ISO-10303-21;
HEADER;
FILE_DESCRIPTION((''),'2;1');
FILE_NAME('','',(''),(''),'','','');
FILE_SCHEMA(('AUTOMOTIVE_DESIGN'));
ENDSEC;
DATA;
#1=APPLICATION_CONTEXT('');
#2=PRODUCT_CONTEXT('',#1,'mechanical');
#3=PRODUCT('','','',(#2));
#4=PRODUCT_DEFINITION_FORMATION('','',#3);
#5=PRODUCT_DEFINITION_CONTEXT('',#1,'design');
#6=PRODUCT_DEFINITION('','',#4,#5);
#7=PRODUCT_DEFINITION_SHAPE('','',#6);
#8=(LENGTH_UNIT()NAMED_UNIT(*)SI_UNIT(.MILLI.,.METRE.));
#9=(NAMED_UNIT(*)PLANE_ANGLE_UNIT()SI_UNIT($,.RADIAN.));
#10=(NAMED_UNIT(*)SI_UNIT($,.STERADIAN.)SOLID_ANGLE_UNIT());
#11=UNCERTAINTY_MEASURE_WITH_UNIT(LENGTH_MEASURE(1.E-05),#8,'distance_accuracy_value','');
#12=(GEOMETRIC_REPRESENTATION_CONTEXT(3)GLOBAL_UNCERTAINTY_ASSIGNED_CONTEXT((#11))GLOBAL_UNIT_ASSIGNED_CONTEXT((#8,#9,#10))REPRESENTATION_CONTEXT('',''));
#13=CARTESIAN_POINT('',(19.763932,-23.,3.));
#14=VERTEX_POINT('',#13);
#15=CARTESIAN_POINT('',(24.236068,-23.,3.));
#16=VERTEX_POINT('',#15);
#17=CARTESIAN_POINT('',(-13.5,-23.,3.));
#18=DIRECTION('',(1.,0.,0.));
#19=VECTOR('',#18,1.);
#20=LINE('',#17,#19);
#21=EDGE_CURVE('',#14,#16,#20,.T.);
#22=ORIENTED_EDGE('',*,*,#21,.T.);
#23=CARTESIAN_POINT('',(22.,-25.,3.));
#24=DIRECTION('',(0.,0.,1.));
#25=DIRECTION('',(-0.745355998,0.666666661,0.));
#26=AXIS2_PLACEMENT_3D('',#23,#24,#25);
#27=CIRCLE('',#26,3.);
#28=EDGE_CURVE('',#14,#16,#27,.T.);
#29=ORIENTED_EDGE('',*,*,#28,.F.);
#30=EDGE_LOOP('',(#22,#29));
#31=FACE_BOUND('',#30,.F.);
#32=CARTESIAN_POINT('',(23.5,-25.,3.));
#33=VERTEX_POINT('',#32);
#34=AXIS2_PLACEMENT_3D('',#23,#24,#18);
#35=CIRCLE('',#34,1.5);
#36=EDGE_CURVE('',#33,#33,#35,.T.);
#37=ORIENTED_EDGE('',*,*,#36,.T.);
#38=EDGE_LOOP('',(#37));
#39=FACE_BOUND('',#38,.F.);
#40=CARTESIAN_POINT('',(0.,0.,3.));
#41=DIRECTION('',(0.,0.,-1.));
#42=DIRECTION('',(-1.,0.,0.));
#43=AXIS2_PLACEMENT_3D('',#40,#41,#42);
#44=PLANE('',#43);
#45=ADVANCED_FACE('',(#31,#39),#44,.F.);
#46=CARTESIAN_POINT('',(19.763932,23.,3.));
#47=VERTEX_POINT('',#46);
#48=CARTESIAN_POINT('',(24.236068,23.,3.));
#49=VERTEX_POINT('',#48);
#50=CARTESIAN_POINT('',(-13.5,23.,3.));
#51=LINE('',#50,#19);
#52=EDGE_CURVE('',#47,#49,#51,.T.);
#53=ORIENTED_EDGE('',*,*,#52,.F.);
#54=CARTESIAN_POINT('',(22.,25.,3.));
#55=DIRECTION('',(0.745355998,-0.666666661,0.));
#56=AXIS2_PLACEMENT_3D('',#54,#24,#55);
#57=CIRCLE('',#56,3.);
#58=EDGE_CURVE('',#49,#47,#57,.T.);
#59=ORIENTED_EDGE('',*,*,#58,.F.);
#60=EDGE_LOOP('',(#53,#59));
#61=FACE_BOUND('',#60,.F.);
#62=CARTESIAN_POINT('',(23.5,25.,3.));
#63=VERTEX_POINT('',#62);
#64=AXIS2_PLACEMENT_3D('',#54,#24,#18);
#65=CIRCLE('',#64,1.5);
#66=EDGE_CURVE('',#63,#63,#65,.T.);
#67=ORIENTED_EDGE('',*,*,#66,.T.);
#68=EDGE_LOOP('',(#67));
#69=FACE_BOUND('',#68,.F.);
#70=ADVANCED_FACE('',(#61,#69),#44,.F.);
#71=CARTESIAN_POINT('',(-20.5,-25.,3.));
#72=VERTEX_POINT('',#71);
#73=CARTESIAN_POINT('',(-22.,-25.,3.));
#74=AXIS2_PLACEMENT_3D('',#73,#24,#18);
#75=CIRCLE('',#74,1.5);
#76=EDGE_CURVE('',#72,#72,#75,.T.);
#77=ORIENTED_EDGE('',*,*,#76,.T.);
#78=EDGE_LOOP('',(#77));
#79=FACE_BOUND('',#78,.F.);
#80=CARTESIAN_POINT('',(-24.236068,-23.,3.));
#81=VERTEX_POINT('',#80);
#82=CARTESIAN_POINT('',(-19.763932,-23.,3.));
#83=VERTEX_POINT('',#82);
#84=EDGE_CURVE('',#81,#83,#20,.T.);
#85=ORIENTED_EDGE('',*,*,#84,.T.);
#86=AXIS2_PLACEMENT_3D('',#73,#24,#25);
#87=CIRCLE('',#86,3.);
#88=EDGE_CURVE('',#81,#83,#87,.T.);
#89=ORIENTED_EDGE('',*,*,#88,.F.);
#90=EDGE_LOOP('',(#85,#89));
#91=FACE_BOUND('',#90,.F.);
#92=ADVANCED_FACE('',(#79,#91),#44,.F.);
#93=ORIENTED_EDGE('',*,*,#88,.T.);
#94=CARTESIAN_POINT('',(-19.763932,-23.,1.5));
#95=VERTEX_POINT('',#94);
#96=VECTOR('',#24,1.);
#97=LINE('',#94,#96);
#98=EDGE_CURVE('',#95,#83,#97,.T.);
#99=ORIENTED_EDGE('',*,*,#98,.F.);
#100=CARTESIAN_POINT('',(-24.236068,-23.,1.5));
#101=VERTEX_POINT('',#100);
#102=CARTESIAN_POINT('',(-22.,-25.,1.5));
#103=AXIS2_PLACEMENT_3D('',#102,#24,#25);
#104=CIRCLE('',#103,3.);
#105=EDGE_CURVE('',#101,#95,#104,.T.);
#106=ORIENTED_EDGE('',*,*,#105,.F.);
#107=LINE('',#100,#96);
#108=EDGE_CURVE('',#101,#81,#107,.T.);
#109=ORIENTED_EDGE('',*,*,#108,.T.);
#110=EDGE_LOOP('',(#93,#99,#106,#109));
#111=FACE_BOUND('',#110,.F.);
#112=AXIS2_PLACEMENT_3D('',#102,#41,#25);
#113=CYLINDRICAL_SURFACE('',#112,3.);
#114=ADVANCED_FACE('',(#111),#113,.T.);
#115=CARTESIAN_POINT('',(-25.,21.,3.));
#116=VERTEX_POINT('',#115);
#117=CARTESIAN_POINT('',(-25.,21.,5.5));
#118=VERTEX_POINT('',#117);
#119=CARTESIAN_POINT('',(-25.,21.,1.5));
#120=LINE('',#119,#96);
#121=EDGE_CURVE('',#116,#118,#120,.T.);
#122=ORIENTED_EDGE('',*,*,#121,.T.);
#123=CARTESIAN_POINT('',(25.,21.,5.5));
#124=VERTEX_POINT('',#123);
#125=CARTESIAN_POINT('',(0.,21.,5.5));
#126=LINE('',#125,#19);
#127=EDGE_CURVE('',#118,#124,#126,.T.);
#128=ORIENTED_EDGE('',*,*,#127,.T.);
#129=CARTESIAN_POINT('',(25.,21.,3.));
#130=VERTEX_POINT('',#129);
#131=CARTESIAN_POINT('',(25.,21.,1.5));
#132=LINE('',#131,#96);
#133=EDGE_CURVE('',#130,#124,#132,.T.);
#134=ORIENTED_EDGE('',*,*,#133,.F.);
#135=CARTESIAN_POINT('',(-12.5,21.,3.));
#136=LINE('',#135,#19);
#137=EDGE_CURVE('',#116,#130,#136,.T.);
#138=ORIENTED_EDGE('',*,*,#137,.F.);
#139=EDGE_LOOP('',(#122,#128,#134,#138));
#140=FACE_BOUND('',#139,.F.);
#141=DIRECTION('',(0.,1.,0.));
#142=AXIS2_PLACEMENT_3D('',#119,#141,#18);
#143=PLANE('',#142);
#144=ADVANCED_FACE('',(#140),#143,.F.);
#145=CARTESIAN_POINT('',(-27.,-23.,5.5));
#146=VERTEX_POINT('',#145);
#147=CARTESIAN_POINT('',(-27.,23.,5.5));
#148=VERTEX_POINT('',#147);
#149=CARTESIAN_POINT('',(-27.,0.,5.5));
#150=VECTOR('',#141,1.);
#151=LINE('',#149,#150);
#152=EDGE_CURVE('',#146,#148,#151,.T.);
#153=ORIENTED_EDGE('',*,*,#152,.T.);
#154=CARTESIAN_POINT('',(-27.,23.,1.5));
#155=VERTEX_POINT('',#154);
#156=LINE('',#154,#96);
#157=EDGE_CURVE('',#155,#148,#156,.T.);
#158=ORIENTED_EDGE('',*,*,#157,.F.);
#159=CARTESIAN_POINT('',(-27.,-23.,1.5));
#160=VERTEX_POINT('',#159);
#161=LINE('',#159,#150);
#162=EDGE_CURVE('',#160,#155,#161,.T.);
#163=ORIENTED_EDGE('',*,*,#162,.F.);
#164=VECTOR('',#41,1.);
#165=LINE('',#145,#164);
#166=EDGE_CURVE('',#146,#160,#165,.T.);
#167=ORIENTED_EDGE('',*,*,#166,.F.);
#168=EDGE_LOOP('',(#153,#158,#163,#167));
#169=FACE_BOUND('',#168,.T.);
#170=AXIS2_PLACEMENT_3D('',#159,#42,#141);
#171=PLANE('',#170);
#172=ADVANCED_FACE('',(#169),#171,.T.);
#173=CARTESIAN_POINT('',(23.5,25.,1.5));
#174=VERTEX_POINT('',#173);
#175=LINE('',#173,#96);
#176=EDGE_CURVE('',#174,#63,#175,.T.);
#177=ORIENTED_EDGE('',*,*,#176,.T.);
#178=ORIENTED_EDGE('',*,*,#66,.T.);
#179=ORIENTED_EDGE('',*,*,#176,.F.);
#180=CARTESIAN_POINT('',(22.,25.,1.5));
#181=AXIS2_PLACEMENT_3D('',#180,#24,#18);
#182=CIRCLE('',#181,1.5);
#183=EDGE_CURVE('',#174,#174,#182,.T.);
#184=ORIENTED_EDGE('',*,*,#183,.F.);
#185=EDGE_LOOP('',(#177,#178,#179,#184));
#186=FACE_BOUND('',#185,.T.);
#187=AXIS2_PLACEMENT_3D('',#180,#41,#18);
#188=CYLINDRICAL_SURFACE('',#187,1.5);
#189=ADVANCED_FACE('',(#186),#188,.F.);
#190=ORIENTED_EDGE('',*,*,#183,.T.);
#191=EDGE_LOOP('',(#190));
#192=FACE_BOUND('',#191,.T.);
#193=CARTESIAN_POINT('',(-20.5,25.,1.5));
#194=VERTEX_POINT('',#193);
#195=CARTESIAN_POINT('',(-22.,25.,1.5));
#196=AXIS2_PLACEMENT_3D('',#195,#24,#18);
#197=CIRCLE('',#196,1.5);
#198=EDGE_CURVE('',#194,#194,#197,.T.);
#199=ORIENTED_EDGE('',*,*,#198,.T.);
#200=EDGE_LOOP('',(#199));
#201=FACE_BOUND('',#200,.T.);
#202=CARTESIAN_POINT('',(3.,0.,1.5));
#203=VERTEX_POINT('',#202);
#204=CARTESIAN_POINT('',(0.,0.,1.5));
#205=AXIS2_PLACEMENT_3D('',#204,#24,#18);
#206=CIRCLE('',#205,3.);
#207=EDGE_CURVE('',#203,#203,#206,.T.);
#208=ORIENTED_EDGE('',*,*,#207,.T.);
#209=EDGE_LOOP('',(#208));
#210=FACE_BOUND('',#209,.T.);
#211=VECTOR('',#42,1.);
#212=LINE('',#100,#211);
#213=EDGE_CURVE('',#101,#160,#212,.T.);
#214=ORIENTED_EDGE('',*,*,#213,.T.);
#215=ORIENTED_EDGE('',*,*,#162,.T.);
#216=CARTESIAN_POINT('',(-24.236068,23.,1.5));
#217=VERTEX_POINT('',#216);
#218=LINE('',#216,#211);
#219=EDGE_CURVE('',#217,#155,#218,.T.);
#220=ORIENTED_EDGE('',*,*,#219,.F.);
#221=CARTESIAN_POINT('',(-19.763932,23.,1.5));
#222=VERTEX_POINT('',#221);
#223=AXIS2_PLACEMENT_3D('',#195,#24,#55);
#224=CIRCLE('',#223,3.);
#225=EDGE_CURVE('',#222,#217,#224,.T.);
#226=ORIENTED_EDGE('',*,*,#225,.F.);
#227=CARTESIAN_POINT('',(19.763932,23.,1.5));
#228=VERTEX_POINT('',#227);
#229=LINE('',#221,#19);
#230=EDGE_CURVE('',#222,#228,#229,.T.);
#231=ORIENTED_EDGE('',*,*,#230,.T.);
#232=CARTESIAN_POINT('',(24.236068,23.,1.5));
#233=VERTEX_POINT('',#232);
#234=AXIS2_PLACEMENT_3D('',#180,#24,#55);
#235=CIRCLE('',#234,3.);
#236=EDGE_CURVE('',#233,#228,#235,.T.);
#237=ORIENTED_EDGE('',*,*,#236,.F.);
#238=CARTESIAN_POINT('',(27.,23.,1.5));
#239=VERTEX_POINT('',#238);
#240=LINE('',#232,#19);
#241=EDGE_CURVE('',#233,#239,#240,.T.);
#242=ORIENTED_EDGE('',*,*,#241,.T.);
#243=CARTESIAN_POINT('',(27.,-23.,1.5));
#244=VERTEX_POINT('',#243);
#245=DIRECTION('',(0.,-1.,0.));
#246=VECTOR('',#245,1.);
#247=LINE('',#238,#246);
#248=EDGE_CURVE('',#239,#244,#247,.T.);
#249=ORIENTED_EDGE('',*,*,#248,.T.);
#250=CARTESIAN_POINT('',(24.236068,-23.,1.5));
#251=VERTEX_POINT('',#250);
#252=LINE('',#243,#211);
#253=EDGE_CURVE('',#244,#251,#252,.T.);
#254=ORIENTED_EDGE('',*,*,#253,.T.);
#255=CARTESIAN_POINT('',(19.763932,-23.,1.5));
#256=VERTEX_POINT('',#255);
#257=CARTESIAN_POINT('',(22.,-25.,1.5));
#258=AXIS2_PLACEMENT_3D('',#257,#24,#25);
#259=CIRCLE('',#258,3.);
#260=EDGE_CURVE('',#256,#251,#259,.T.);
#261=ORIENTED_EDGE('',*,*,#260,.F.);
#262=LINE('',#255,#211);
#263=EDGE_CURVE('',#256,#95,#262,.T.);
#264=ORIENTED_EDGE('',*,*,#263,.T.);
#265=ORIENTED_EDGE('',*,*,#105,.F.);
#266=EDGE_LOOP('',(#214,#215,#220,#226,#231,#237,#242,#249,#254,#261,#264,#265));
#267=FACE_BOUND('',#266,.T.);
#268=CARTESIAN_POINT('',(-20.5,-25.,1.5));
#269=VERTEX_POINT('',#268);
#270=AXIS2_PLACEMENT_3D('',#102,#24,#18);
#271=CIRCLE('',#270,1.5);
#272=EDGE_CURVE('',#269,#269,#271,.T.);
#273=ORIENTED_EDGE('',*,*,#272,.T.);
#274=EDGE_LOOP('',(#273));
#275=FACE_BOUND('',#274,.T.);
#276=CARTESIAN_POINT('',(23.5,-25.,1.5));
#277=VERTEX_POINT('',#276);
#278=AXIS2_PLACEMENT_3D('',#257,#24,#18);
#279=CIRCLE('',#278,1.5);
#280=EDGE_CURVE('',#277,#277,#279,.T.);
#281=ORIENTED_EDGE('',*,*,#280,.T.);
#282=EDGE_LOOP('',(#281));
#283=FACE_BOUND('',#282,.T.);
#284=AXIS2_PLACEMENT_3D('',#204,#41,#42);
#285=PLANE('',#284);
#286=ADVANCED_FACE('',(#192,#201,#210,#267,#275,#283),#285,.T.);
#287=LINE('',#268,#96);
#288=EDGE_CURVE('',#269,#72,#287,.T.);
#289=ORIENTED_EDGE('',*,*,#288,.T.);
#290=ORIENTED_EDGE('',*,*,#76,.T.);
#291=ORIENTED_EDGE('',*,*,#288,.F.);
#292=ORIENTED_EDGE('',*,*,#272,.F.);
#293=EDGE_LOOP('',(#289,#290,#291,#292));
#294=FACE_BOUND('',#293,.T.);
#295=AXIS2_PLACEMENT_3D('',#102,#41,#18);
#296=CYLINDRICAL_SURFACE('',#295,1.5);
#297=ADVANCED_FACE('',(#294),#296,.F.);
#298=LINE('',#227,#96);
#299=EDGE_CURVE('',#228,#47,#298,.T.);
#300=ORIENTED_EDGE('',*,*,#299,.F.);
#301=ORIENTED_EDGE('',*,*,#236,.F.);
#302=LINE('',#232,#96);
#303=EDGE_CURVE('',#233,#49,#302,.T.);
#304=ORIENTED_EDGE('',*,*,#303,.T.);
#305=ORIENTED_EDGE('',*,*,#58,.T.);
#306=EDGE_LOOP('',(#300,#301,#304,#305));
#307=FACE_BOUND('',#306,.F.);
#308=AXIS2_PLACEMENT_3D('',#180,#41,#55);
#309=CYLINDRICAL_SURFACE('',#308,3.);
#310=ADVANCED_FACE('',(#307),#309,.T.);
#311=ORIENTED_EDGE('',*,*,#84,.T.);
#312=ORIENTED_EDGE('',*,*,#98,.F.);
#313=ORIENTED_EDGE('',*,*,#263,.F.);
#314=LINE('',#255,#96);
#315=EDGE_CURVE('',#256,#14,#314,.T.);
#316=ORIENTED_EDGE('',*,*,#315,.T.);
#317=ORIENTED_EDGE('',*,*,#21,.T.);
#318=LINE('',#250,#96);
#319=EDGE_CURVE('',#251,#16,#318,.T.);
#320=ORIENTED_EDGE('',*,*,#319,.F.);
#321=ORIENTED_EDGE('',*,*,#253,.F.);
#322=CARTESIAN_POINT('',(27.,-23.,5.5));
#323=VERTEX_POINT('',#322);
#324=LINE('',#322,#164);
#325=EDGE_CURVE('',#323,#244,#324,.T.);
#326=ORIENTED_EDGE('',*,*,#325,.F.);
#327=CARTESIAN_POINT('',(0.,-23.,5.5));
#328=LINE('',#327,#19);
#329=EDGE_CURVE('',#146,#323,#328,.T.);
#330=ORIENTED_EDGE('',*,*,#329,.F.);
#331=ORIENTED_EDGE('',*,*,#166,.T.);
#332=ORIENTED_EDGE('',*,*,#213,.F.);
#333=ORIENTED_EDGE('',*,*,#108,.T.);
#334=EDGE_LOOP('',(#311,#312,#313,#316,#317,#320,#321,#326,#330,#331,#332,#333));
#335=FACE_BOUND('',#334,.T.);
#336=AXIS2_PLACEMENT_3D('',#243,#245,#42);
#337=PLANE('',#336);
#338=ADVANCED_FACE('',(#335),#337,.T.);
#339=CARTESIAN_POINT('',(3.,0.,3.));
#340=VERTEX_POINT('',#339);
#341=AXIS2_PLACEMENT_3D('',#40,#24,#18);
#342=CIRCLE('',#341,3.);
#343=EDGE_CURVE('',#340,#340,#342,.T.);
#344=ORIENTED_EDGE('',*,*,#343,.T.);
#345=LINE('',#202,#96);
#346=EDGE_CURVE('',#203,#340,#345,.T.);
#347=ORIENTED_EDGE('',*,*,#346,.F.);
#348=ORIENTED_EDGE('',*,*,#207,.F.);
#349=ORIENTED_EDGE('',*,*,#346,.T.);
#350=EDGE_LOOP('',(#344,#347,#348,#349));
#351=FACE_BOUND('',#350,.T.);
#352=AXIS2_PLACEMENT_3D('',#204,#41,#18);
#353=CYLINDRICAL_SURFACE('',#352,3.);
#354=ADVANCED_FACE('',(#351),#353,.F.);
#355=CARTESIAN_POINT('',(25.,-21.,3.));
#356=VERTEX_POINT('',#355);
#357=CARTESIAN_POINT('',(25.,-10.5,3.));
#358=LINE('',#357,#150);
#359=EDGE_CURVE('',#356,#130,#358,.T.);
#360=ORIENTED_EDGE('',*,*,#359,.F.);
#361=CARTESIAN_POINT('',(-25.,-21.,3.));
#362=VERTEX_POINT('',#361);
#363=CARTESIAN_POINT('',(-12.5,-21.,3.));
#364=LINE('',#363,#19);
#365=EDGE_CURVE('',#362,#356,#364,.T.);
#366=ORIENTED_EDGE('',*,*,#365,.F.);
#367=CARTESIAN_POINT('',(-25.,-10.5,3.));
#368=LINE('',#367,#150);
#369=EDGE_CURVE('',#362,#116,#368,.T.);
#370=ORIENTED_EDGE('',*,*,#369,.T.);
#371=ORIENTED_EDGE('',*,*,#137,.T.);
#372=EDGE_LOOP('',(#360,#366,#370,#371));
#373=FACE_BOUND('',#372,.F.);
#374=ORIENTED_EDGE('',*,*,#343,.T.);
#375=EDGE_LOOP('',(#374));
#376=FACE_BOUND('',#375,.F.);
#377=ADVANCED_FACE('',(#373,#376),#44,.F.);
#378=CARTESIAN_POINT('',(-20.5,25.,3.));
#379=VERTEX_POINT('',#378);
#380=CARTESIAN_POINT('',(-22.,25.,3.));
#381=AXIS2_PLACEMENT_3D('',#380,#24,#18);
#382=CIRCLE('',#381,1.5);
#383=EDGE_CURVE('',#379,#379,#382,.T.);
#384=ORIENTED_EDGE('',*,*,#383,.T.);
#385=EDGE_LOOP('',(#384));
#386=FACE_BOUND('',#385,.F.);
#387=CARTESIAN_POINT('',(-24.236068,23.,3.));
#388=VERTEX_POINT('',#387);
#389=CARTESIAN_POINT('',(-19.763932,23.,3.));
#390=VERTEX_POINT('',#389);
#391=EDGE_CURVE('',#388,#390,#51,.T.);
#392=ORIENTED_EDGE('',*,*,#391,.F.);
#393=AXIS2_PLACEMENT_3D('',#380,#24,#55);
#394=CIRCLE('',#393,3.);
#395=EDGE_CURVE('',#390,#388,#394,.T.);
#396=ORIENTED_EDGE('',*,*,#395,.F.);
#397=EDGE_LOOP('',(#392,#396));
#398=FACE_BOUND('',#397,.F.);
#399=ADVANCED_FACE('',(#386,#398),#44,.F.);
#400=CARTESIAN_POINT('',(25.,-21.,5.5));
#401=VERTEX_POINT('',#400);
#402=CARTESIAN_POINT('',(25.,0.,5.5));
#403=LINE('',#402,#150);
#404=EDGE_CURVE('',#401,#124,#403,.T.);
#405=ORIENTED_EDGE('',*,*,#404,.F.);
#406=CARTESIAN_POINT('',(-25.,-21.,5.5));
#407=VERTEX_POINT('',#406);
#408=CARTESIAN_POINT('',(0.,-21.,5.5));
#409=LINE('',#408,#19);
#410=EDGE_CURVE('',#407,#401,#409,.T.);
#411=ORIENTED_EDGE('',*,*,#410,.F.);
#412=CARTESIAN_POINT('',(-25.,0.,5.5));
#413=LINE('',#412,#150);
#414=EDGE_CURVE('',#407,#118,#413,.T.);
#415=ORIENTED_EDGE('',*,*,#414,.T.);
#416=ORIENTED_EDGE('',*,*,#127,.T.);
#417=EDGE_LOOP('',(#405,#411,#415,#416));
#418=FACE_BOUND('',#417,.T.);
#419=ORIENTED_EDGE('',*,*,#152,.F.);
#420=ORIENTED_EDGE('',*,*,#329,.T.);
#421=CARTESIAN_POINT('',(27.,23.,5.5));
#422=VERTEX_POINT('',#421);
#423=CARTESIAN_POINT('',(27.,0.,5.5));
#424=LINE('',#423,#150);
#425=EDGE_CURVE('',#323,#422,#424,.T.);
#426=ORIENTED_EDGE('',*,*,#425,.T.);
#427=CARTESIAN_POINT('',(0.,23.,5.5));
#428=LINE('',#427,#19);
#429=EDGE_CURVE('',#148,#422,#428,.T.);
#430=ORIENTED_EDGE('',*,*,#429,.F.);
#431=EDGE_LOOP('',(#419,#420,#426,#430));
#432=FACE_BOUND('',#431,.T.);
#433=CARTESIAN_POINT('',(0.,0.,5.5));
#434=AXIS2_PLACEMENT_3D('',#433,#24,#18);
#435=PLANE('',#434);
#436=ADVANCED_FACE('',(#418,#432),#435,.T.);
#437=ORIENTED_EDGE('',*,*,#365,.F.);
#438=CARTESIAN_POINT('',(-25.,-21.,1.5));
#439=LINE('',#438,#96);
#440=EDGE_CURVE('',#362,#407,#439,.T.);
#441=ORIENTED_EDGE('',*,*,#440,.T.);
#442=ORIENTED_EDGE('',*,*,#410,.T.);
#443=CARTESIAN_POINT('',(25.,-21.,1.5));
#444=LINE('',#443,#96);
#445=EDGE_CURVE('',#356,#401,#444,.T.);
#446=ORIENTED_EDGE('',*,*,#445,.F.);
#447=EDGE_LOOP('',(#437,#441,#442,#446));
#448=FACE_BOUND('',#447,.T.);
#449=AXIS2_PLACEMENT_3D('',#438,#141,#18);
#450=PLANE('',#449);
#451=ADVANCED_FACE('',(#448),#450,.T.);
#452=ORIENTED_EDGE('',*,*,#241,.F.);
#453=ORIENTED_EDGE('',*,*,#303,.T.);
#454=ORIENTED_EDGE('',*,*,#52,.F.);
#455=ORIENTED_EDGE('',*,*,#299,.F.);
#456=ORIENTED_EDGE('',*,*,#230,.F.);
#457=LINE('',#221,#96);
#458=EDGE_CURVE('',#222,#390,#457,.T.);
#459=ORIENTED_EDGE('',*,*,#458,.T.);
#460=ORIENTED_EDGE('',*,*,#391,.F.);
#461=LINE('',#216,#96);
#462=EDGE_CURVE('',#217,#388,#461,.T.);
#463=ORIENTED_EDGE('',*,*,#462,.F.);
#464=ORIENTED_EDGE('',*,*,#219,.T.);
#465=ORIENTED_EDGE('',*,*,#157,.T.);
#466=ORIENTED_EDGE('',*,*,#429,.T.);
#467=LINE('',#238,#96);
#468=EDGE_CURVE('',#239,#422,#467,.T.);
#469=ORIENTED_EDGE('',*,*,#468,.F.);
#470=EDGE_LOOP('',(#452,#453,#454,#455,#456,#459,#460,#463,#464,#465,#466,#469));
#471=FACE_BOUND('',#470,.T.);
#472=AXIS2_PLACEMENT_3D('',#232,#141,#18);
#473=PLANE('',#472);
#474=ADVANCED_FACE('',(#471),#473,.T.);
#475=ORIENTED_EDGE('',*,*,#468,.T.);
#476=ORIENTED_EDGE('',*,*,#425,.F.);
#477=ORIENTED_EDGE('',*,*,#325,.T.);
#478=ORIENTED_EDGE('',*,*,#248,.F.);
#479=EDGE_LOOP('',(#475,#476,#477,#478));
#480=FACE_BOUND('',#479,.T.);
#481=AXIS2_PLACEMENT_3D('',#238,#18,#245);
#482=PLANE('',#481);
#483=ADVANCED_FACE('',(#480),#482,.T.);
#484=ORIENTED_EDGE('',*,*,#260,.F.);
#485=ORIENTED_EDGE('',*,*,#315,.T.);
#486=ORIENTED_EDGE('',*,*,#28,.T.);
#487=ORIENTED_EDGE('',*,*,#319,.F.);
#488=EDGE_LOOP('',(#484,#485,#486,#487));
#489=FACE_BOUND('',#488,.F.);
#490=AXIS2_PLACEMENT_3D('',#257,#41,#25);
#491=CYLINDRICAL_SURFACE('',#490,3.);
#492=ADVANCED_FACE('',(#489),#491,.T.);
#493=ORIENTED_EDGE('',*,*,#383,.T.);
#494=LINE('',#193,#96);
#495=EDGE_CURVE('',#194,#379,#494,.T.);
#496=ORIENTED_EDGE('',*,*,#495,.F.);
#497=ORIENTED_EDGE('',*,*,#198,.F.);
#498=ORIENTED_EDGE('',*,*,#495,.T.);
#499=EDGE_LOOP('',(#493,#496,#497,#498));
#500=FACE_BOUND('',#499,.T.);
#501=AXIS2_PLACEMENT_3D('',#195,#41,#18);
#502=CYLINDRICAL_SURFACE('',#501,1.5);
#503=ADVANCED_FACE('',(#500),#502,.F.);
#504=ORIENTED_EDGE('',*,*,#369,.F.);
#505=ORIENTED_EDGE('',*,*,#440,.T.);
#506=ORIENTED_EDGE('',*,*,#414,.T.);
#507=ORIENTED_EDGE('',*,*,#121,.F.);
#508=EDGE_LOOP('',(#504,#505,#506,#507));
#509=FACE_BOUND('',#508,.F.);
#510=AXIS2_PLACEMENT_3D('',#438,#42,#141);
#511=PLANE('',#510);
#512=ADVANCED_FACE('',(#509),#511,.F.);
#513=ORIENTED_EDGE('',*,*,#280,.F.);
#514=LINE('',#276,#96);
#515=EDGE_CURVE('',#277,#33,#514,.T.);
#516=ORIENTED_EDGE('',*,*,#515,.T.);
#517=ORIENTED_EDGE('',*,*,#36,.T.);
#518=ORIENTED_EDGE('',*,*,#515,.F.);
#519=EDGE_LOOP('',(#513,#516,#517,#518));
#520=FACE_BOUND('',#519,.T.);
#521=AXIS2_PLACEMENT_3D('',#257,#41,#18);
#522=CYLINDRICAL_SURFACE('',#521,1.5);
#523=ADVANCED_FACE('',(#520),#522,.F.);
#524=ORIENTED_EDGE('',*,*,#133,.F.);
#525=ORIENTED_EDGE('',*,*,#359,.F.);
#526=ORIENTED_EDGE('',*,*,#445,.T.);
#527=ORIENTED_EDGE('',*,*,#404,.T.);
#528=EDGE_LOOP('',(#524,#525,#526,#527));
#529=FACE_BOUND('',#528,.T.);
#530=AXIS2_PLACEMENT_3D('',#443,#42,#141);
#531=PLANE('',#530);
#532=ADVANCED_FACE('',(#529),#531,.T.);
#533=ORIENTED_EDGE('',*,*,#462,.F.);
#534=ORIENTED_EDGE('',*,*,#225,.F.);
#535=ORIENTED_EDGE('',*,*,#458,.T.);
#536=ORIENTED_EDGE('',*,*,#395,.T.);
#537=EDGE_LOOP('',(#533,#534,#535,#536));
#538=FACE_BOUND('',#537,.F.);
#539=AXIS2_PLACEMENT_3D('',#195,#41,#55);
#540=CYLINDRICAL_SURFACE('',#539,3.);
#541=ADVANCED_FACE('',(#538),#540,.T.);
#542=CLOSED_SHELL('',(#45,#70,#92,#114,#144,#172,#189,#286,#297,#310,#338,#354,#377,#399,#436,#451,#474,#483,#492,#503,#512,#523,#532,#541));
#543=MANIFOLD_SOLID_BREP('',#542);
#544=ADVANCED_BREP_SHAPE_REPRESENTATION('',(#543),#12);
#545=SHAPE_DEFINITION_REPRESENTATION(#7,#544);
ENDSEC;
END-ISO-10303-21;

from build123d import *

# Parameters (mm, degrees)
SKETCH_W         = 54
SKETCH_H         = 46
SKETCH_W_2       = 50
SKETCH_H_2       = 42
EXTRUDE001_DEPTH = 4
SKETCH001_R      = 1.5
SKETCH001_R_2    = 3
EXTRUDE_DEPTH    = 1.5


with BuildPart() as extrude001:
    # Sketch → Extrude001 (new body)
    with BuildSketch(Plane.XY.offset(1.5)):
        Rectangle(SKETCH_W, SKETCH_H)
        Rectangle(SKETCH_W_2, SKETCH_H_2, mode=Mode.SUBTRACT)
    extrude(amount=EXTRUDE001_DEPTH)


with BuildPart() as fusion:
    # Sketch001 (on Sketch) → Extrude (new body)
    with BuildSketch(Plane.XY.offset(1.5)):
        with BuildLine():
            Line((27, 23), (27, -23))
            Line((27, -23), (24.236068, -23))
            ThreePointArc((19.763932, -23), (22, -28), (24.236068, -23))
            Line((19.763932, -23), (-19.763932, -23))
            ThreePointArc((-24.236068, -23), (-22, -28), (-19.763932, -23))
            Line((-24.236068, -23), (-27, -23))
            Line((-27, -23), (-27, 23))
            Line((-24.236068, 23), (-27, 23))
            ThreePointArc((-19.763932, 23), (-22, 28), (-24.236068, 23))
            Line((-19.763932, 23), (19.763932, 23))
            ThreePointArc((24.236068, 23), (22, 28), (19.763932, 23))
            Line((24.236068, 23), (27, 23))
        make_face()
        with Locations((-22, 25)):
            Circle(SKETCH001_R, mode=Mode.SUBTRACT)
        with Locations((22, 25)):
            Circle(SKETCH001_R, mode=Mode.SUBTRACT)
        with Locations((-22, -25)):
            Circle(SKETCH001_R, mode=Mode.SUBTRACT)
        with Locations((22, -25)):
            Circle(SKETCH001_R, mode=Mode.SUBTRACT)
        Circle(SKETCH001_R_2, mode=Mode.SUBTRACT)
    extrude(amount=EXTRUDE_DEPTH)

    # Fusion: union Extrude001
    add(extrude001.part)


solid = fusion.part
